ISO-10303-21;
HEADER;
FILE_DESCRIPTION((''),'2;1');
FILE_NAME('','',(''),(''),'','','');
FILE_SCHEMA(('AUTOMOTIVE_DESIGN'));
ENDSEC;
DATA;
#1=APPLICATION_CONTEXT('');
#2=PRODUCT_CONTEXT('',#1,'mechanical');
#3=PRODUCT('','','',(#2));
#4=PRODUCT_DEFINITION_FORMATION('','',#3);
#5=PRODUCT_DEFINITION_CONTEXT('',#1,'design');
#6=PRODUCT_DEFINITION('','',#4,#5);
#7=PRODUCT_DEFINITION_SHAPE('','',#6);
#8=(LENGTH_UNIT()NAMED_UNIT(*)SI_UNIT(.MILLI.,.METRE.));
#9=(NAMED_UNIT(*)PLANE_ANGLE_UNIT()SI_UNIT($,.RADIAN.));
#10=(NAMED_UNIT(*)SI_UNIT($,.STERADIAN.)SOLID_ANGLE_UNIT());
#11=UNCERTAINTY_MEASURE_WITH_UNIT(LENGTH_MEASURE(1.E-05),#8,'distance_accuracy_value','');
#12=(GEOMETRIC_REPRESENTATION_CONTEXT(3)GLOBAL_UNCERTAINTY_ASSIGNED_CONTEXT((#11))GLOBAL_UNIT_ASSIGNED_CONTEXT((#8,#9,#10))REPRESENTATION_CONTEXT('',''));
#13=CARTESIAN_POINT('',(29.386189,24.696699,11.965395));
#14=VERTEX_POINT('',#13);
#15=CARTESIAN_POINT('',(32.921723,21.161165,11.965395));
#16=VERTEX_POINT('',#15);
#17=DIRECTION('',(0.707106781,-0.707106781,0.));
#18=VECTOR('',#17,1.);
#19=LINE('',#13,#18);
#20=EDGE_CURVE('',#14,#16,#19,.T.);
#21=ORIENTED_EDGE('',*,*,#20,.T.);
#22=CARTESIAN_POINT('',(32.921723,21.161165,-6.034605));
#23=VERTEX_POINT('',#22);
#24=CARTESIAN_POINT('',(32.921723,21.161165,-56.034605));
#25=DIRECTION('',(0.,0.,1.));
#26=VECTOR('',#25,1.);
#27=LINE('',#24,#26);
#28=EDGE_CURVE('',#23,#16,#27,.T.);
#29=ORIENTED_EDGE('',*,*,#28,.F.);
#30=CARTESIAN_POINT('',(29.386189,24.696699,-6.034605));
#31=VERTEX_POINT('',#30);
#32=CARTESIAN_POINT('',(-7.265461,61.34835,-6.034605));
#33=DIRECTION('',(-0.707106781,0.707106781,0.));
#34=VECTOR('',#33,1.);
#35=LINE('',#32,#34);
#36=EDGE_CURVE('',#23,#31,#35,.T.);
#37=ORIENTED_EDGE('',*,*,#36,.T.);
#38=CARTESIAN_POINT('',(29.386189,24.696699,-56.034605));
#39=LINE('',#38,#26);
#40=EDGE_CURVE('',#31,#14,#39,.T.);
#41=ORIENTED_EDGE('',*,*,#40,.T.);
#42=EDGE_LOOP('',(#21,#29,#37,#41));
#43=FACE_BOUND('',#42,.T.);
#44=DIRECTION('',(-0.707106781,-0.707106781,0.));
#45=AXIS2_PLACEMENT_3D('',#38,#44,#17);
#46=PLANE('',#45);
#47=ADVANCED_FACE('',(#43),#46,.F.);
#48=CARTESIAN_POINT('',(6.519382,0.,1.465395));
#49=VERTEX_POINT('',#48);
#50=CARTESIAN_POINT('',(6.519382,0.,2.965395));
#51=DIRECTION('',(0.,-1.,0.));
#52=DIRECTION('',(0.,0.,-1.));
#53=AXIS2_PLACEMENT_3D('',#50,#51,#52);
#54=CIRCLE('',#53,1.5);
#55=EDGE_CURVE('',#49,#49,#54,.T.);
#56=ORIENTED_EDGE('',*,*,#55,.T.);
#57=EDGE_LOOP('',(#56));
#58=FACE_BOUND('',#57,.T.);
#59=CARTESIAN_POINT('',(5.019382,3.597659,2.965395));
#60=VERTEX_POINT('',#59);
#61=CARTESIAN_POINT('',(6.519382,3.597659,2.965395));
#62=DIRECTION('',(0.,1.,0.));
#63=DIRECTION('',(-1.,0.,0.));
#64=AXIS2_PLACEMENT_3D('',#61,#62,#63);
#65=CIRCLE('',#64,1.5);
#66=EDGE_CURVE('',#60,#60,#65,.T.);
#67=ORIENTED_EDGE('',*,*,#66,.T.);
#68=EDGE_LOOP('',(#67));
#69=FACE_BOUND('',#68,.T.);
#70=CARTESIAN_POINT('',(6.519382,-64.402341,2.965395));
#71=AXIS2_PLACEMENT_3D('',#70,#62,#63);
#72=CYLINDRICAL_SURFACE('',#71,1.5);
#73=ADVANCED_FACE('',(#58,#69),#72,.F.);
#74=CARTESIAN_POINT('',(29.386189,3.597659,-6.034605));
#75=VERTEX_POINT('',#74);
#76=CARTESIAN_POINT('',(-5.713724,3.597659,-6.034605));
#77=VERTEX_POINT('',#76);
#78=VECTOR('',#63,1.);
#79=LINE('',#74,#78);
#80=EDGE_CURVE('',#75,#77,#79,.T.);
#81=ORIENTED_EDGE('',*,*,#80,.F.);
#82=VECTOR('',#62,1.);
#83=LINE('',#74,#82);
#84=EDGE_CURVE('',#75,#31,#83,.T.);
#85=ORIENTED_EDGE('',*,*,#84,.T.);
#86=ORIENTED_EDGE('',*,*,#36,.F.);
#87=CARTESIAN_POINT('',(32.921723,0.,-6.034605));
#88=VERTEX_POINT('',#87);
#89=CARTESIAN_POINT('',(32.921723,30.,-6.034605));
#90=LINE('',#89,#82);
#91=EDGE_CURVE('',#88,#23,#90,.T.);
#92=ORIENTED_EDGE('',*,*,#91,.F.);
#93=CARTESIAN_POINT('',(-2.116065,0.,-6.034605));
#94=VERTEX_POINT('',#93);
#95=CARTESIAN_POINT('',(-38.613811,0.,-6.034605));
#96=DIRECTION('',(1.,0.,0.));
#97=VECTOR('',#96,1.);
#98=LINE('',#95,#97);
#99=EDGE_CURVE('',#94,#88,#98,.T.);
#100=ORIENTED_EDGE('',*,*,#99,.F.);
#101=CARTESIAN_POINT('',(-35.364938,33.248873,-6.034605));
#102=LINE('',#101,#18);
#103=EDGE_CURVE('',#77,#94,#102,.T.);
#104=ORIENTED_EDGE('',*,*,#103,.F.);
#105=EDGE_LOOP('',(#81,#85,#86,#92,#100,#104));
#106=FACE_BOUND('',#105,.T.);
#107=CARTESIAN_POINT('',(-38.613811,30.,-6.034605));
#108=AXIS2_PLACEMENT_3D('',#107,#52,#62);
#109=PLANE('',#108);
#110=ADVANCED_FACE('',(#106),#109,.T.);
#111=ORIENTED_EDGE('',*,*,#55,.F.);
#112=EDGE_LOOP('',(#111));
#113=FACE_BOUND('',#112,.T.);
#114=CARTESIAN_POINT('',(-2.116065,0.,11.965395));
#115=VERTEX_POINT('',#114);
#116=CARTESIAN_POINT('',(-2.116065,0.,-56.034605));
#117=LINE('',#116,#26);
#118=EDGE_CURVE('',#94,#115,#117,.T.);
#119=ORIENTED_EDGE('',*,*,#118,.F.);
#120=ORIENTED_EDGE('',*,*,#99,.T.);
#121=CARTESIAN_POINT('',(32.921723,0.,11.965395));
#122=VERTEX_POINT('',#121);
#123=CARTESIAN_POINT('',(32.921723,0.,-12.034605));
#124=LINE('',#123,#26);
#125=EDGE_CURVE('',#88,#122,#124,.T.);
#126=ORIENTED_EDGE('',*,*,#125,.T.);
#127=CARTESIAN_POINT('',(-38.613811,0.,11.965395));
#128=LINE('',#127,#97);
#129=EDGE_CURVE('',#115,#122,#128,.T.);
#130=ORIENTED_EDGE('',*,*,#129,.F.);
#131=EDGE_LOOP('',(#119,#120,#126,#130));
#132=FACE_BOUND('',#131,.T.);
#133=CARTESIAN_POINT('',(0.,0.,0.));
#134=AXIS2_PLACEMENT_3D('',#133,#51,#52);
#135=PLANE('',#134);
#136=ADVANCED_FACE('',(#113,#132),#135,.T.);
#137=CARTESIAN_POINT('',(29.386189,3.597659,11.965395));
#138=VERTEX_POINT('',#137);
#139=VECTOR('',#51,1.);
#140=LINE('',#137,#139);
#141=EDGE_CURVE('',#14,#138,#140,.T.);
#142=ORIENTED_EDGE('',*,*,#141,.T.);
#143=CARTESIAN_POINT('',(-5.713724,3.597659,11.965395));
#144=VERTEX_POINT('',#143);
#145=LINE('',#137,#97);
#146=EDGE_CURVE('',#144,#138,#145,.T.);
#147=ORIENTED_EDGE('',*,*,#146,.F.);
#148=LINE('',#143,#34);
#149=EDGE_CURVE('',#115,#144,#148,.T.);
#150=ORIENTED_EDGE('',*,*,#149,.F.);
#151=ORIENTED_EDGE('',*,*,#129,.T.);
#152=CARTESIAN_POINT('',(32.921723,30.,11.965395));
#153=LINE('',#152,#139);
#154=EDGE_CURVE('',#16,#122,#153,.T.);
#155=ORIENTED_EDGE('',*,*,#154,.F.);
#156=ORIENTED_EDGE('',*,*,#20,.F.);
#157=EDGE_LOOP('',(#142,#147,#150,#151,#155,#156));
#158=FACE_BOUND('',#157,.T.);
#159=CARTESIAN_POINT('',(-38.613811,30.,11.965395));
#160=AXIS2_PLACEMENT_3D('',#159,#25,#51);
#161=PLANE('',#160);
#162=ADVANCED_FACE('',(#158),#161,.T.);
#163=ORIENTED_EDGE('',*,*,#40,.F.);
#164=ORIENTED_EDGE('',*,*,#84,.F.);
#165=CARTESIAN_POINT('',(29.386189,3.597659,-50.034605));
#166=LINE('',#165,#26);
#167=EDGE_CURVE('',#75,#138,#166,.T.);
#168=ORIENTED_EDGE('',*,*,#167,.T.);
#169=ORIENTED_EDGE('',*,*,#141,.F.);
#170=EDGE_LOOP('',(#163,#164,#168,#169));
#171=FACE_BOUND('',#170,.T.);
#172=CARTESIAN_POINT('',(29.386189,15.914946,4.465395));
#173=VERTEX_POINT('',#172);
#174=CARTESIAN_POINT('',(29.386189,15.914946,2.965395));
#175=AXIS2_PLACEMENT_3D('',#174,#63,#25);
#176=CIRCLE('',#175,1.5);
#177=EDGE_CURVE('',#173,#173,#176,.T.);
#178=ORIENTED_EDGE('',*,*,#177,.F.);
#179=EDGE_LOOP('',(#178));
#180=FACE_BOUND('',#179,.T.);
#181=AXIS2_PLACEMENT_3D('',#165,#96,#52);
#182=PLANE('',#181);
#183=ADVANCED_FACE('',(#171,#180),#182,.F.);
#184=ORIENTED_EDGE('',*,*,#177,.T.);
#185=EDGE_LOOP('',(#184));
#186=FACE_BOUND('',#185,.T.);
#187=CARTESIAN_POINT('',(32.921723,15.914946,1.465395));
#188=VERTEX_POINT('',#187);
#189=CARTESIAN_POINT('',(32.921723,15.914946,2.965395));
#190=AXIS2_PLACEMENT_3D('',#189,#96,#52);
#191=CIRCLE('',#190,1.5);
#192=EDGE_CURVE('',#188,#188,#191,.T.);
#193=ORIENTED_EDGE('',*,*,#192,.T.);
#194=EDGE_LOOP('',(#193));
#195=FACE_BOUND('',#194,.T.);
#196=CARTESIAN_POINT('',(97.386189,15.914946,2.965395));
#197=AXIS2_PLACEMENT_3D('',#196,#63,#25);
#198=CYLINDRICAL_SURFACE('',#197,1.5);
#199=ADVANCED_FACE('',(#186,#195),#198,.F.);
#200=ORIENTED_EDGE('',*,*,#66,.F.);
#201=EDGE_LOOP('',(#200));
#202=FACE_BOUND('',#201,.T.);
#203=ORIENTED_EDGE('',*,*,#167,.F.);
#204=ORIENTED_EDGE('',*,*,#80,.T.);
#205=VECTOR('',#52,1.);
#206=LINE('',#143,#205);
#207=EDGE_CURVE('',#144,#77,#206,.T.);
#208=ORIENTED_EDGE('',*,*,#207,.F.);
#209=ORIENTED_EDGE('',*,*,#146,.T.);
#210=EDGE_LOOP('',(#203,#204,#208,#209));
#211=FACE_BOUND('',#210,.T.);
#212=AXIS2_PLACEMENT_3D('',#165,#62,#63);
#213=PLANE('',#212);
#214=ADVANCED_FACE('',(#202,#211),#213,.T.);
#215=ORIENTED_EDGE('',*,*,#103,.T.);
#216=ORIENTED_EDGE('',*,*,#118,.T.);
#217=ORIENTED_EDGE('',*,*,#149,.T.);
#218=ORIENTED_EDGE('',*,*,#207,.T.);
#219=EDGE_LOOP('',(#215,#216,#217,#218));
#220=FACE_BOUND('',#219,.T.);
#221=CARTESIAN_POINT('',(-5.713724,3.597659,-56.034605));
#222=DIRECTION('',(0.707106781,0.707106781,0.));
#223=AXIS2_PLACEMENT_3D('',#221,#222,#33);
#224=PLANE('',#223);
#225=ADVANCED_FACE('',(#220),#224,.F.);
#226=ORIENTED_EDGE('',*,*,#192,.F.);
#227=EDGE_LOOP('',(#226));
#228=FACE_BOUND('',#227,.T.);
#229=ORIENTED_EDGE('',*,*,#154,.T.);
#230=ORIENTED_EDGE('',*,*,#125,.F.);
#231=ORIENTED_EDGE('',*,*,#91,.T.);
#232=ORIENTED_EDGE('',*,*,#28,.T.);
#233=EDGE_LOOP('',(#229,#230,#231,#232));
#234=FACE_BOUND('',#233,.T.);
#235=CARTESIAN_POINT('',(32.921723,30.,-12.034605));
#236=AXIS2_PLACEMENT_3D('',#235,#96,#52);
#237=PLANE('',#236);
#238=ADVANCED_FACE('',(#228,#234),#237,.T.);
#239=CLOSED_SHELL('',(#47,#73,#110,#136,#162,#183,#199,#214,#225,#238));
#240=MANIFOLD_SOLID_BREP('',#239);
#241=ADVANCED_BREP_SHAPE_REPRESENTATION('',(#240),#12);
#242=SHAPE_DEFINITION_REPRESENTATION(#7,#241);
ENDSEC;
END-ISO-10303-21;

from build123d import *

# Parameters (mm, degrees)
IZIM1_W                     = 60
IZIM1_H                     = 30
Y_KSEKLIK_EKSTR_ZYON1_DEPTH = 30
KES_EKSTR_ZYON1_DEPTH       = 30
IZIM3_W                     = 60.882003546
IZIM3_H                     = 31.045979635
KES_EKSTR_ZYON2_DEPTH       = 68
IZIM5_R                     = 1.5
KES_EKSTR_ZYON3_DEPTH       = 68
KES_EKSTR_ZYON6_DEPTH       = 68
KES_EKSTR_ZYON6_DEPTH_BACK  = 68
IZIM6_W                     = 6
IZIM6_H                     = 30
IZIM7_R                     = 1.5
KES_EKSTR_ZYON7_DEPTH       = 68
IZIM8_W                     = 21.364552878
IZIM8_H                     = 18
KES_EKSTR_ZYON8_DEPTH       = 68
KES_EKSTR_ZYON9_DEPTH       = 68
KES_EKSTR_ZYON10_DEPTH      = 68
KES_EKSTR_ZYON11_DEPTH      = 68
KES_EKSTR_ZYON12_DEPTH      = 68


with BuildPart() as part:
    # Çizim1 → Yükseklik-Ekstrüzyon1 (new body)
    with BuildSketch(Plane(origin=(0, 0, 0), x_dir=(1, 0, 0), z_dir=(0, 1, 0))):
        with Locations((2.921722845, -2.96539542)):
            Rectangle(IZIM1_W, IZIM1_H)
    extrude(amount=Y_KSEKLIK_EKSTR_ZYON1_DEPTH)

    # Çizim2 → Kes-Ekstrüzyon1 (cut)
    with BuildSketch(Plane.XY.offset(17.96539542)):
        Polygon((-27.078277155, 0), (32.921722845, 30), (-27.078277155, 30), align=None)
    extrude(amount=-KES_EKSTR_ZYON1_DEPTH, mode=Mode.SUBTRACT)

    # Çizim3 → Kes-Ekstrüzyon2 (cut)
    with BuildSketch(Plane.XY.offset(17.96539542)):
        with Locations((-1.054812834, 19.120649243)):
            Rectangle(IZIM3_W, IZIM3_H)
    extrude(amount=-KES_EKSTR_ZYON2_DEPTH, mode=Mode.SUBTRACT)

    # Çizim5 → Kes-Ekstrüzyon3 (cut)
    with BuildSketch(Plane.ZY.offset(-29.386188939)):
        with Locations((2.96539542, 15.914946236)):
            Circle(IZIM5_R)
    extrude(amount=-KES_EKSTR_ZYON3_DEPTH, mode=Mode.SUBTRACT)

    # Çizim6 → Kes-Ekstrüzyon6 (cut, two sides: drawn at the far end of the back side and taken through both)
    with BuildSketch(Plane.ZY.offset(-29.386188939).offset(-KES_EKSTR_ZYON6_DEPTH_BACK)):
        with Locations((-9.03460458, 15)):
            Rectangle(IZIM6_W, IZIM6_H)
        with Locations((14.96539542, 15)):
            Rectangle(IZIM6_W, IZIM6_H)
    extrude(amount=KES_EKSTR_ZYON6_DEPTH + KES_EKSTR_ZYON6_DEPTH_BACK, mode=Mode.SUBTRACT)

    # Çizim7 → Kes-Ekstrüzyon7 (cut)
    with BuildSketch(Plane(origin=(0, 3.597659425, 0), x_dir=(1, 0, 0), z_dir=(0, 1, 0))):
        with Locations((6.51938227, -2.96539542)):
            Circle(IZIM7_R)
    extrude(amount=-KES_EKSTR_ZYON7_DEPTH, mode=Mode.SUBTRACT)

    # Çizim8 → Kes-Ekstrüzyon8 (cut)
    with BuildSketch(Plane(origin=(0, 3.597659425, 0), x_dir=(1, 0, 0), z_dir=(0, 1, 0))):
        with Locations((-16.396000716, -2.96539542)):
            Rectangle(IZIM8_W, IZIM8_H)
    extrude(amount=-KES_EKSTR_ZYON8_DEPTH, mode=Mode.SUBTRACT)

    # Çizim9 → Kes-Ekstrüzyon9 (cut)
    with BuildSketch(Plane.XY.offset(11.96539542)):
        Polygon((-5.713724277, 3.597659425), (-2.116064853, 0), (-5.713724277, 0), align=None)
    extrude(amount=-KES_EKSTR_ZYON9_DEPTH, mode=Mode.SUBTRACT)

    # Çizim10 → Kes-Ekstrüzyon10 (cut)
    with BuildSketch(Plane.XY.offset(11.96539542)):
        Polygon((29.386188939, 28.232233047), (32.921722845, 24.696699141), (29.386188939, 24.696699141), align=None)
    extrude(amount=-KES_EKSTR_ZYON10_DEPTH, mode=Mode.SUBTRACT)


with BuildPart() as kes_ekstr_zyon10_piece_1:
    # of the separate pieces the step leaves, piece 1, a body of its own (kes_ekstr_zyon10_pieces)
    add(part.part.solids().sort_by_distance((32.921722845, 0, -6.03460458))[0])

    # Çizim12 → Kes-Ekstrüzyon12 (cut)
    with BuildSketch(Plane.XY.offset(11.96539542)):
        Polygon((29.386188939, 24.696699141), (32.921722845, 21.161165235), (32.921722845, 24.696699141), align=None)
    extrude(amount=-KES_EKSTR_ZYON12_DEPTH, mode=Mode.SUBTRACT)


with BuildPart() as kes_ekstr_zyon10_piece_2:
    # of the separate pieces the step leaves, piece 2, a body of its own (kes_ekstr_zyon10_pieces)
    add(part.part.solids().sort_by_distance((32.921722845, 30, 11.96539542))[0])

    # Çizim11 → Kes-Ekstrüzyon11 (cut)
    with BuildSketch(Plane.XY.offset(11.96539542)):
        Polygon((29.386188939, 28.232233047), (32.921722845, 30), (32.921722845, 24.696699141), align=None)
    extrude(amount=-KES_EKSTR_ZYON11_DEPTH, mode=Mode.SUBTRACT)


solid = kes_ekstr_zyon10_piece_1.part
